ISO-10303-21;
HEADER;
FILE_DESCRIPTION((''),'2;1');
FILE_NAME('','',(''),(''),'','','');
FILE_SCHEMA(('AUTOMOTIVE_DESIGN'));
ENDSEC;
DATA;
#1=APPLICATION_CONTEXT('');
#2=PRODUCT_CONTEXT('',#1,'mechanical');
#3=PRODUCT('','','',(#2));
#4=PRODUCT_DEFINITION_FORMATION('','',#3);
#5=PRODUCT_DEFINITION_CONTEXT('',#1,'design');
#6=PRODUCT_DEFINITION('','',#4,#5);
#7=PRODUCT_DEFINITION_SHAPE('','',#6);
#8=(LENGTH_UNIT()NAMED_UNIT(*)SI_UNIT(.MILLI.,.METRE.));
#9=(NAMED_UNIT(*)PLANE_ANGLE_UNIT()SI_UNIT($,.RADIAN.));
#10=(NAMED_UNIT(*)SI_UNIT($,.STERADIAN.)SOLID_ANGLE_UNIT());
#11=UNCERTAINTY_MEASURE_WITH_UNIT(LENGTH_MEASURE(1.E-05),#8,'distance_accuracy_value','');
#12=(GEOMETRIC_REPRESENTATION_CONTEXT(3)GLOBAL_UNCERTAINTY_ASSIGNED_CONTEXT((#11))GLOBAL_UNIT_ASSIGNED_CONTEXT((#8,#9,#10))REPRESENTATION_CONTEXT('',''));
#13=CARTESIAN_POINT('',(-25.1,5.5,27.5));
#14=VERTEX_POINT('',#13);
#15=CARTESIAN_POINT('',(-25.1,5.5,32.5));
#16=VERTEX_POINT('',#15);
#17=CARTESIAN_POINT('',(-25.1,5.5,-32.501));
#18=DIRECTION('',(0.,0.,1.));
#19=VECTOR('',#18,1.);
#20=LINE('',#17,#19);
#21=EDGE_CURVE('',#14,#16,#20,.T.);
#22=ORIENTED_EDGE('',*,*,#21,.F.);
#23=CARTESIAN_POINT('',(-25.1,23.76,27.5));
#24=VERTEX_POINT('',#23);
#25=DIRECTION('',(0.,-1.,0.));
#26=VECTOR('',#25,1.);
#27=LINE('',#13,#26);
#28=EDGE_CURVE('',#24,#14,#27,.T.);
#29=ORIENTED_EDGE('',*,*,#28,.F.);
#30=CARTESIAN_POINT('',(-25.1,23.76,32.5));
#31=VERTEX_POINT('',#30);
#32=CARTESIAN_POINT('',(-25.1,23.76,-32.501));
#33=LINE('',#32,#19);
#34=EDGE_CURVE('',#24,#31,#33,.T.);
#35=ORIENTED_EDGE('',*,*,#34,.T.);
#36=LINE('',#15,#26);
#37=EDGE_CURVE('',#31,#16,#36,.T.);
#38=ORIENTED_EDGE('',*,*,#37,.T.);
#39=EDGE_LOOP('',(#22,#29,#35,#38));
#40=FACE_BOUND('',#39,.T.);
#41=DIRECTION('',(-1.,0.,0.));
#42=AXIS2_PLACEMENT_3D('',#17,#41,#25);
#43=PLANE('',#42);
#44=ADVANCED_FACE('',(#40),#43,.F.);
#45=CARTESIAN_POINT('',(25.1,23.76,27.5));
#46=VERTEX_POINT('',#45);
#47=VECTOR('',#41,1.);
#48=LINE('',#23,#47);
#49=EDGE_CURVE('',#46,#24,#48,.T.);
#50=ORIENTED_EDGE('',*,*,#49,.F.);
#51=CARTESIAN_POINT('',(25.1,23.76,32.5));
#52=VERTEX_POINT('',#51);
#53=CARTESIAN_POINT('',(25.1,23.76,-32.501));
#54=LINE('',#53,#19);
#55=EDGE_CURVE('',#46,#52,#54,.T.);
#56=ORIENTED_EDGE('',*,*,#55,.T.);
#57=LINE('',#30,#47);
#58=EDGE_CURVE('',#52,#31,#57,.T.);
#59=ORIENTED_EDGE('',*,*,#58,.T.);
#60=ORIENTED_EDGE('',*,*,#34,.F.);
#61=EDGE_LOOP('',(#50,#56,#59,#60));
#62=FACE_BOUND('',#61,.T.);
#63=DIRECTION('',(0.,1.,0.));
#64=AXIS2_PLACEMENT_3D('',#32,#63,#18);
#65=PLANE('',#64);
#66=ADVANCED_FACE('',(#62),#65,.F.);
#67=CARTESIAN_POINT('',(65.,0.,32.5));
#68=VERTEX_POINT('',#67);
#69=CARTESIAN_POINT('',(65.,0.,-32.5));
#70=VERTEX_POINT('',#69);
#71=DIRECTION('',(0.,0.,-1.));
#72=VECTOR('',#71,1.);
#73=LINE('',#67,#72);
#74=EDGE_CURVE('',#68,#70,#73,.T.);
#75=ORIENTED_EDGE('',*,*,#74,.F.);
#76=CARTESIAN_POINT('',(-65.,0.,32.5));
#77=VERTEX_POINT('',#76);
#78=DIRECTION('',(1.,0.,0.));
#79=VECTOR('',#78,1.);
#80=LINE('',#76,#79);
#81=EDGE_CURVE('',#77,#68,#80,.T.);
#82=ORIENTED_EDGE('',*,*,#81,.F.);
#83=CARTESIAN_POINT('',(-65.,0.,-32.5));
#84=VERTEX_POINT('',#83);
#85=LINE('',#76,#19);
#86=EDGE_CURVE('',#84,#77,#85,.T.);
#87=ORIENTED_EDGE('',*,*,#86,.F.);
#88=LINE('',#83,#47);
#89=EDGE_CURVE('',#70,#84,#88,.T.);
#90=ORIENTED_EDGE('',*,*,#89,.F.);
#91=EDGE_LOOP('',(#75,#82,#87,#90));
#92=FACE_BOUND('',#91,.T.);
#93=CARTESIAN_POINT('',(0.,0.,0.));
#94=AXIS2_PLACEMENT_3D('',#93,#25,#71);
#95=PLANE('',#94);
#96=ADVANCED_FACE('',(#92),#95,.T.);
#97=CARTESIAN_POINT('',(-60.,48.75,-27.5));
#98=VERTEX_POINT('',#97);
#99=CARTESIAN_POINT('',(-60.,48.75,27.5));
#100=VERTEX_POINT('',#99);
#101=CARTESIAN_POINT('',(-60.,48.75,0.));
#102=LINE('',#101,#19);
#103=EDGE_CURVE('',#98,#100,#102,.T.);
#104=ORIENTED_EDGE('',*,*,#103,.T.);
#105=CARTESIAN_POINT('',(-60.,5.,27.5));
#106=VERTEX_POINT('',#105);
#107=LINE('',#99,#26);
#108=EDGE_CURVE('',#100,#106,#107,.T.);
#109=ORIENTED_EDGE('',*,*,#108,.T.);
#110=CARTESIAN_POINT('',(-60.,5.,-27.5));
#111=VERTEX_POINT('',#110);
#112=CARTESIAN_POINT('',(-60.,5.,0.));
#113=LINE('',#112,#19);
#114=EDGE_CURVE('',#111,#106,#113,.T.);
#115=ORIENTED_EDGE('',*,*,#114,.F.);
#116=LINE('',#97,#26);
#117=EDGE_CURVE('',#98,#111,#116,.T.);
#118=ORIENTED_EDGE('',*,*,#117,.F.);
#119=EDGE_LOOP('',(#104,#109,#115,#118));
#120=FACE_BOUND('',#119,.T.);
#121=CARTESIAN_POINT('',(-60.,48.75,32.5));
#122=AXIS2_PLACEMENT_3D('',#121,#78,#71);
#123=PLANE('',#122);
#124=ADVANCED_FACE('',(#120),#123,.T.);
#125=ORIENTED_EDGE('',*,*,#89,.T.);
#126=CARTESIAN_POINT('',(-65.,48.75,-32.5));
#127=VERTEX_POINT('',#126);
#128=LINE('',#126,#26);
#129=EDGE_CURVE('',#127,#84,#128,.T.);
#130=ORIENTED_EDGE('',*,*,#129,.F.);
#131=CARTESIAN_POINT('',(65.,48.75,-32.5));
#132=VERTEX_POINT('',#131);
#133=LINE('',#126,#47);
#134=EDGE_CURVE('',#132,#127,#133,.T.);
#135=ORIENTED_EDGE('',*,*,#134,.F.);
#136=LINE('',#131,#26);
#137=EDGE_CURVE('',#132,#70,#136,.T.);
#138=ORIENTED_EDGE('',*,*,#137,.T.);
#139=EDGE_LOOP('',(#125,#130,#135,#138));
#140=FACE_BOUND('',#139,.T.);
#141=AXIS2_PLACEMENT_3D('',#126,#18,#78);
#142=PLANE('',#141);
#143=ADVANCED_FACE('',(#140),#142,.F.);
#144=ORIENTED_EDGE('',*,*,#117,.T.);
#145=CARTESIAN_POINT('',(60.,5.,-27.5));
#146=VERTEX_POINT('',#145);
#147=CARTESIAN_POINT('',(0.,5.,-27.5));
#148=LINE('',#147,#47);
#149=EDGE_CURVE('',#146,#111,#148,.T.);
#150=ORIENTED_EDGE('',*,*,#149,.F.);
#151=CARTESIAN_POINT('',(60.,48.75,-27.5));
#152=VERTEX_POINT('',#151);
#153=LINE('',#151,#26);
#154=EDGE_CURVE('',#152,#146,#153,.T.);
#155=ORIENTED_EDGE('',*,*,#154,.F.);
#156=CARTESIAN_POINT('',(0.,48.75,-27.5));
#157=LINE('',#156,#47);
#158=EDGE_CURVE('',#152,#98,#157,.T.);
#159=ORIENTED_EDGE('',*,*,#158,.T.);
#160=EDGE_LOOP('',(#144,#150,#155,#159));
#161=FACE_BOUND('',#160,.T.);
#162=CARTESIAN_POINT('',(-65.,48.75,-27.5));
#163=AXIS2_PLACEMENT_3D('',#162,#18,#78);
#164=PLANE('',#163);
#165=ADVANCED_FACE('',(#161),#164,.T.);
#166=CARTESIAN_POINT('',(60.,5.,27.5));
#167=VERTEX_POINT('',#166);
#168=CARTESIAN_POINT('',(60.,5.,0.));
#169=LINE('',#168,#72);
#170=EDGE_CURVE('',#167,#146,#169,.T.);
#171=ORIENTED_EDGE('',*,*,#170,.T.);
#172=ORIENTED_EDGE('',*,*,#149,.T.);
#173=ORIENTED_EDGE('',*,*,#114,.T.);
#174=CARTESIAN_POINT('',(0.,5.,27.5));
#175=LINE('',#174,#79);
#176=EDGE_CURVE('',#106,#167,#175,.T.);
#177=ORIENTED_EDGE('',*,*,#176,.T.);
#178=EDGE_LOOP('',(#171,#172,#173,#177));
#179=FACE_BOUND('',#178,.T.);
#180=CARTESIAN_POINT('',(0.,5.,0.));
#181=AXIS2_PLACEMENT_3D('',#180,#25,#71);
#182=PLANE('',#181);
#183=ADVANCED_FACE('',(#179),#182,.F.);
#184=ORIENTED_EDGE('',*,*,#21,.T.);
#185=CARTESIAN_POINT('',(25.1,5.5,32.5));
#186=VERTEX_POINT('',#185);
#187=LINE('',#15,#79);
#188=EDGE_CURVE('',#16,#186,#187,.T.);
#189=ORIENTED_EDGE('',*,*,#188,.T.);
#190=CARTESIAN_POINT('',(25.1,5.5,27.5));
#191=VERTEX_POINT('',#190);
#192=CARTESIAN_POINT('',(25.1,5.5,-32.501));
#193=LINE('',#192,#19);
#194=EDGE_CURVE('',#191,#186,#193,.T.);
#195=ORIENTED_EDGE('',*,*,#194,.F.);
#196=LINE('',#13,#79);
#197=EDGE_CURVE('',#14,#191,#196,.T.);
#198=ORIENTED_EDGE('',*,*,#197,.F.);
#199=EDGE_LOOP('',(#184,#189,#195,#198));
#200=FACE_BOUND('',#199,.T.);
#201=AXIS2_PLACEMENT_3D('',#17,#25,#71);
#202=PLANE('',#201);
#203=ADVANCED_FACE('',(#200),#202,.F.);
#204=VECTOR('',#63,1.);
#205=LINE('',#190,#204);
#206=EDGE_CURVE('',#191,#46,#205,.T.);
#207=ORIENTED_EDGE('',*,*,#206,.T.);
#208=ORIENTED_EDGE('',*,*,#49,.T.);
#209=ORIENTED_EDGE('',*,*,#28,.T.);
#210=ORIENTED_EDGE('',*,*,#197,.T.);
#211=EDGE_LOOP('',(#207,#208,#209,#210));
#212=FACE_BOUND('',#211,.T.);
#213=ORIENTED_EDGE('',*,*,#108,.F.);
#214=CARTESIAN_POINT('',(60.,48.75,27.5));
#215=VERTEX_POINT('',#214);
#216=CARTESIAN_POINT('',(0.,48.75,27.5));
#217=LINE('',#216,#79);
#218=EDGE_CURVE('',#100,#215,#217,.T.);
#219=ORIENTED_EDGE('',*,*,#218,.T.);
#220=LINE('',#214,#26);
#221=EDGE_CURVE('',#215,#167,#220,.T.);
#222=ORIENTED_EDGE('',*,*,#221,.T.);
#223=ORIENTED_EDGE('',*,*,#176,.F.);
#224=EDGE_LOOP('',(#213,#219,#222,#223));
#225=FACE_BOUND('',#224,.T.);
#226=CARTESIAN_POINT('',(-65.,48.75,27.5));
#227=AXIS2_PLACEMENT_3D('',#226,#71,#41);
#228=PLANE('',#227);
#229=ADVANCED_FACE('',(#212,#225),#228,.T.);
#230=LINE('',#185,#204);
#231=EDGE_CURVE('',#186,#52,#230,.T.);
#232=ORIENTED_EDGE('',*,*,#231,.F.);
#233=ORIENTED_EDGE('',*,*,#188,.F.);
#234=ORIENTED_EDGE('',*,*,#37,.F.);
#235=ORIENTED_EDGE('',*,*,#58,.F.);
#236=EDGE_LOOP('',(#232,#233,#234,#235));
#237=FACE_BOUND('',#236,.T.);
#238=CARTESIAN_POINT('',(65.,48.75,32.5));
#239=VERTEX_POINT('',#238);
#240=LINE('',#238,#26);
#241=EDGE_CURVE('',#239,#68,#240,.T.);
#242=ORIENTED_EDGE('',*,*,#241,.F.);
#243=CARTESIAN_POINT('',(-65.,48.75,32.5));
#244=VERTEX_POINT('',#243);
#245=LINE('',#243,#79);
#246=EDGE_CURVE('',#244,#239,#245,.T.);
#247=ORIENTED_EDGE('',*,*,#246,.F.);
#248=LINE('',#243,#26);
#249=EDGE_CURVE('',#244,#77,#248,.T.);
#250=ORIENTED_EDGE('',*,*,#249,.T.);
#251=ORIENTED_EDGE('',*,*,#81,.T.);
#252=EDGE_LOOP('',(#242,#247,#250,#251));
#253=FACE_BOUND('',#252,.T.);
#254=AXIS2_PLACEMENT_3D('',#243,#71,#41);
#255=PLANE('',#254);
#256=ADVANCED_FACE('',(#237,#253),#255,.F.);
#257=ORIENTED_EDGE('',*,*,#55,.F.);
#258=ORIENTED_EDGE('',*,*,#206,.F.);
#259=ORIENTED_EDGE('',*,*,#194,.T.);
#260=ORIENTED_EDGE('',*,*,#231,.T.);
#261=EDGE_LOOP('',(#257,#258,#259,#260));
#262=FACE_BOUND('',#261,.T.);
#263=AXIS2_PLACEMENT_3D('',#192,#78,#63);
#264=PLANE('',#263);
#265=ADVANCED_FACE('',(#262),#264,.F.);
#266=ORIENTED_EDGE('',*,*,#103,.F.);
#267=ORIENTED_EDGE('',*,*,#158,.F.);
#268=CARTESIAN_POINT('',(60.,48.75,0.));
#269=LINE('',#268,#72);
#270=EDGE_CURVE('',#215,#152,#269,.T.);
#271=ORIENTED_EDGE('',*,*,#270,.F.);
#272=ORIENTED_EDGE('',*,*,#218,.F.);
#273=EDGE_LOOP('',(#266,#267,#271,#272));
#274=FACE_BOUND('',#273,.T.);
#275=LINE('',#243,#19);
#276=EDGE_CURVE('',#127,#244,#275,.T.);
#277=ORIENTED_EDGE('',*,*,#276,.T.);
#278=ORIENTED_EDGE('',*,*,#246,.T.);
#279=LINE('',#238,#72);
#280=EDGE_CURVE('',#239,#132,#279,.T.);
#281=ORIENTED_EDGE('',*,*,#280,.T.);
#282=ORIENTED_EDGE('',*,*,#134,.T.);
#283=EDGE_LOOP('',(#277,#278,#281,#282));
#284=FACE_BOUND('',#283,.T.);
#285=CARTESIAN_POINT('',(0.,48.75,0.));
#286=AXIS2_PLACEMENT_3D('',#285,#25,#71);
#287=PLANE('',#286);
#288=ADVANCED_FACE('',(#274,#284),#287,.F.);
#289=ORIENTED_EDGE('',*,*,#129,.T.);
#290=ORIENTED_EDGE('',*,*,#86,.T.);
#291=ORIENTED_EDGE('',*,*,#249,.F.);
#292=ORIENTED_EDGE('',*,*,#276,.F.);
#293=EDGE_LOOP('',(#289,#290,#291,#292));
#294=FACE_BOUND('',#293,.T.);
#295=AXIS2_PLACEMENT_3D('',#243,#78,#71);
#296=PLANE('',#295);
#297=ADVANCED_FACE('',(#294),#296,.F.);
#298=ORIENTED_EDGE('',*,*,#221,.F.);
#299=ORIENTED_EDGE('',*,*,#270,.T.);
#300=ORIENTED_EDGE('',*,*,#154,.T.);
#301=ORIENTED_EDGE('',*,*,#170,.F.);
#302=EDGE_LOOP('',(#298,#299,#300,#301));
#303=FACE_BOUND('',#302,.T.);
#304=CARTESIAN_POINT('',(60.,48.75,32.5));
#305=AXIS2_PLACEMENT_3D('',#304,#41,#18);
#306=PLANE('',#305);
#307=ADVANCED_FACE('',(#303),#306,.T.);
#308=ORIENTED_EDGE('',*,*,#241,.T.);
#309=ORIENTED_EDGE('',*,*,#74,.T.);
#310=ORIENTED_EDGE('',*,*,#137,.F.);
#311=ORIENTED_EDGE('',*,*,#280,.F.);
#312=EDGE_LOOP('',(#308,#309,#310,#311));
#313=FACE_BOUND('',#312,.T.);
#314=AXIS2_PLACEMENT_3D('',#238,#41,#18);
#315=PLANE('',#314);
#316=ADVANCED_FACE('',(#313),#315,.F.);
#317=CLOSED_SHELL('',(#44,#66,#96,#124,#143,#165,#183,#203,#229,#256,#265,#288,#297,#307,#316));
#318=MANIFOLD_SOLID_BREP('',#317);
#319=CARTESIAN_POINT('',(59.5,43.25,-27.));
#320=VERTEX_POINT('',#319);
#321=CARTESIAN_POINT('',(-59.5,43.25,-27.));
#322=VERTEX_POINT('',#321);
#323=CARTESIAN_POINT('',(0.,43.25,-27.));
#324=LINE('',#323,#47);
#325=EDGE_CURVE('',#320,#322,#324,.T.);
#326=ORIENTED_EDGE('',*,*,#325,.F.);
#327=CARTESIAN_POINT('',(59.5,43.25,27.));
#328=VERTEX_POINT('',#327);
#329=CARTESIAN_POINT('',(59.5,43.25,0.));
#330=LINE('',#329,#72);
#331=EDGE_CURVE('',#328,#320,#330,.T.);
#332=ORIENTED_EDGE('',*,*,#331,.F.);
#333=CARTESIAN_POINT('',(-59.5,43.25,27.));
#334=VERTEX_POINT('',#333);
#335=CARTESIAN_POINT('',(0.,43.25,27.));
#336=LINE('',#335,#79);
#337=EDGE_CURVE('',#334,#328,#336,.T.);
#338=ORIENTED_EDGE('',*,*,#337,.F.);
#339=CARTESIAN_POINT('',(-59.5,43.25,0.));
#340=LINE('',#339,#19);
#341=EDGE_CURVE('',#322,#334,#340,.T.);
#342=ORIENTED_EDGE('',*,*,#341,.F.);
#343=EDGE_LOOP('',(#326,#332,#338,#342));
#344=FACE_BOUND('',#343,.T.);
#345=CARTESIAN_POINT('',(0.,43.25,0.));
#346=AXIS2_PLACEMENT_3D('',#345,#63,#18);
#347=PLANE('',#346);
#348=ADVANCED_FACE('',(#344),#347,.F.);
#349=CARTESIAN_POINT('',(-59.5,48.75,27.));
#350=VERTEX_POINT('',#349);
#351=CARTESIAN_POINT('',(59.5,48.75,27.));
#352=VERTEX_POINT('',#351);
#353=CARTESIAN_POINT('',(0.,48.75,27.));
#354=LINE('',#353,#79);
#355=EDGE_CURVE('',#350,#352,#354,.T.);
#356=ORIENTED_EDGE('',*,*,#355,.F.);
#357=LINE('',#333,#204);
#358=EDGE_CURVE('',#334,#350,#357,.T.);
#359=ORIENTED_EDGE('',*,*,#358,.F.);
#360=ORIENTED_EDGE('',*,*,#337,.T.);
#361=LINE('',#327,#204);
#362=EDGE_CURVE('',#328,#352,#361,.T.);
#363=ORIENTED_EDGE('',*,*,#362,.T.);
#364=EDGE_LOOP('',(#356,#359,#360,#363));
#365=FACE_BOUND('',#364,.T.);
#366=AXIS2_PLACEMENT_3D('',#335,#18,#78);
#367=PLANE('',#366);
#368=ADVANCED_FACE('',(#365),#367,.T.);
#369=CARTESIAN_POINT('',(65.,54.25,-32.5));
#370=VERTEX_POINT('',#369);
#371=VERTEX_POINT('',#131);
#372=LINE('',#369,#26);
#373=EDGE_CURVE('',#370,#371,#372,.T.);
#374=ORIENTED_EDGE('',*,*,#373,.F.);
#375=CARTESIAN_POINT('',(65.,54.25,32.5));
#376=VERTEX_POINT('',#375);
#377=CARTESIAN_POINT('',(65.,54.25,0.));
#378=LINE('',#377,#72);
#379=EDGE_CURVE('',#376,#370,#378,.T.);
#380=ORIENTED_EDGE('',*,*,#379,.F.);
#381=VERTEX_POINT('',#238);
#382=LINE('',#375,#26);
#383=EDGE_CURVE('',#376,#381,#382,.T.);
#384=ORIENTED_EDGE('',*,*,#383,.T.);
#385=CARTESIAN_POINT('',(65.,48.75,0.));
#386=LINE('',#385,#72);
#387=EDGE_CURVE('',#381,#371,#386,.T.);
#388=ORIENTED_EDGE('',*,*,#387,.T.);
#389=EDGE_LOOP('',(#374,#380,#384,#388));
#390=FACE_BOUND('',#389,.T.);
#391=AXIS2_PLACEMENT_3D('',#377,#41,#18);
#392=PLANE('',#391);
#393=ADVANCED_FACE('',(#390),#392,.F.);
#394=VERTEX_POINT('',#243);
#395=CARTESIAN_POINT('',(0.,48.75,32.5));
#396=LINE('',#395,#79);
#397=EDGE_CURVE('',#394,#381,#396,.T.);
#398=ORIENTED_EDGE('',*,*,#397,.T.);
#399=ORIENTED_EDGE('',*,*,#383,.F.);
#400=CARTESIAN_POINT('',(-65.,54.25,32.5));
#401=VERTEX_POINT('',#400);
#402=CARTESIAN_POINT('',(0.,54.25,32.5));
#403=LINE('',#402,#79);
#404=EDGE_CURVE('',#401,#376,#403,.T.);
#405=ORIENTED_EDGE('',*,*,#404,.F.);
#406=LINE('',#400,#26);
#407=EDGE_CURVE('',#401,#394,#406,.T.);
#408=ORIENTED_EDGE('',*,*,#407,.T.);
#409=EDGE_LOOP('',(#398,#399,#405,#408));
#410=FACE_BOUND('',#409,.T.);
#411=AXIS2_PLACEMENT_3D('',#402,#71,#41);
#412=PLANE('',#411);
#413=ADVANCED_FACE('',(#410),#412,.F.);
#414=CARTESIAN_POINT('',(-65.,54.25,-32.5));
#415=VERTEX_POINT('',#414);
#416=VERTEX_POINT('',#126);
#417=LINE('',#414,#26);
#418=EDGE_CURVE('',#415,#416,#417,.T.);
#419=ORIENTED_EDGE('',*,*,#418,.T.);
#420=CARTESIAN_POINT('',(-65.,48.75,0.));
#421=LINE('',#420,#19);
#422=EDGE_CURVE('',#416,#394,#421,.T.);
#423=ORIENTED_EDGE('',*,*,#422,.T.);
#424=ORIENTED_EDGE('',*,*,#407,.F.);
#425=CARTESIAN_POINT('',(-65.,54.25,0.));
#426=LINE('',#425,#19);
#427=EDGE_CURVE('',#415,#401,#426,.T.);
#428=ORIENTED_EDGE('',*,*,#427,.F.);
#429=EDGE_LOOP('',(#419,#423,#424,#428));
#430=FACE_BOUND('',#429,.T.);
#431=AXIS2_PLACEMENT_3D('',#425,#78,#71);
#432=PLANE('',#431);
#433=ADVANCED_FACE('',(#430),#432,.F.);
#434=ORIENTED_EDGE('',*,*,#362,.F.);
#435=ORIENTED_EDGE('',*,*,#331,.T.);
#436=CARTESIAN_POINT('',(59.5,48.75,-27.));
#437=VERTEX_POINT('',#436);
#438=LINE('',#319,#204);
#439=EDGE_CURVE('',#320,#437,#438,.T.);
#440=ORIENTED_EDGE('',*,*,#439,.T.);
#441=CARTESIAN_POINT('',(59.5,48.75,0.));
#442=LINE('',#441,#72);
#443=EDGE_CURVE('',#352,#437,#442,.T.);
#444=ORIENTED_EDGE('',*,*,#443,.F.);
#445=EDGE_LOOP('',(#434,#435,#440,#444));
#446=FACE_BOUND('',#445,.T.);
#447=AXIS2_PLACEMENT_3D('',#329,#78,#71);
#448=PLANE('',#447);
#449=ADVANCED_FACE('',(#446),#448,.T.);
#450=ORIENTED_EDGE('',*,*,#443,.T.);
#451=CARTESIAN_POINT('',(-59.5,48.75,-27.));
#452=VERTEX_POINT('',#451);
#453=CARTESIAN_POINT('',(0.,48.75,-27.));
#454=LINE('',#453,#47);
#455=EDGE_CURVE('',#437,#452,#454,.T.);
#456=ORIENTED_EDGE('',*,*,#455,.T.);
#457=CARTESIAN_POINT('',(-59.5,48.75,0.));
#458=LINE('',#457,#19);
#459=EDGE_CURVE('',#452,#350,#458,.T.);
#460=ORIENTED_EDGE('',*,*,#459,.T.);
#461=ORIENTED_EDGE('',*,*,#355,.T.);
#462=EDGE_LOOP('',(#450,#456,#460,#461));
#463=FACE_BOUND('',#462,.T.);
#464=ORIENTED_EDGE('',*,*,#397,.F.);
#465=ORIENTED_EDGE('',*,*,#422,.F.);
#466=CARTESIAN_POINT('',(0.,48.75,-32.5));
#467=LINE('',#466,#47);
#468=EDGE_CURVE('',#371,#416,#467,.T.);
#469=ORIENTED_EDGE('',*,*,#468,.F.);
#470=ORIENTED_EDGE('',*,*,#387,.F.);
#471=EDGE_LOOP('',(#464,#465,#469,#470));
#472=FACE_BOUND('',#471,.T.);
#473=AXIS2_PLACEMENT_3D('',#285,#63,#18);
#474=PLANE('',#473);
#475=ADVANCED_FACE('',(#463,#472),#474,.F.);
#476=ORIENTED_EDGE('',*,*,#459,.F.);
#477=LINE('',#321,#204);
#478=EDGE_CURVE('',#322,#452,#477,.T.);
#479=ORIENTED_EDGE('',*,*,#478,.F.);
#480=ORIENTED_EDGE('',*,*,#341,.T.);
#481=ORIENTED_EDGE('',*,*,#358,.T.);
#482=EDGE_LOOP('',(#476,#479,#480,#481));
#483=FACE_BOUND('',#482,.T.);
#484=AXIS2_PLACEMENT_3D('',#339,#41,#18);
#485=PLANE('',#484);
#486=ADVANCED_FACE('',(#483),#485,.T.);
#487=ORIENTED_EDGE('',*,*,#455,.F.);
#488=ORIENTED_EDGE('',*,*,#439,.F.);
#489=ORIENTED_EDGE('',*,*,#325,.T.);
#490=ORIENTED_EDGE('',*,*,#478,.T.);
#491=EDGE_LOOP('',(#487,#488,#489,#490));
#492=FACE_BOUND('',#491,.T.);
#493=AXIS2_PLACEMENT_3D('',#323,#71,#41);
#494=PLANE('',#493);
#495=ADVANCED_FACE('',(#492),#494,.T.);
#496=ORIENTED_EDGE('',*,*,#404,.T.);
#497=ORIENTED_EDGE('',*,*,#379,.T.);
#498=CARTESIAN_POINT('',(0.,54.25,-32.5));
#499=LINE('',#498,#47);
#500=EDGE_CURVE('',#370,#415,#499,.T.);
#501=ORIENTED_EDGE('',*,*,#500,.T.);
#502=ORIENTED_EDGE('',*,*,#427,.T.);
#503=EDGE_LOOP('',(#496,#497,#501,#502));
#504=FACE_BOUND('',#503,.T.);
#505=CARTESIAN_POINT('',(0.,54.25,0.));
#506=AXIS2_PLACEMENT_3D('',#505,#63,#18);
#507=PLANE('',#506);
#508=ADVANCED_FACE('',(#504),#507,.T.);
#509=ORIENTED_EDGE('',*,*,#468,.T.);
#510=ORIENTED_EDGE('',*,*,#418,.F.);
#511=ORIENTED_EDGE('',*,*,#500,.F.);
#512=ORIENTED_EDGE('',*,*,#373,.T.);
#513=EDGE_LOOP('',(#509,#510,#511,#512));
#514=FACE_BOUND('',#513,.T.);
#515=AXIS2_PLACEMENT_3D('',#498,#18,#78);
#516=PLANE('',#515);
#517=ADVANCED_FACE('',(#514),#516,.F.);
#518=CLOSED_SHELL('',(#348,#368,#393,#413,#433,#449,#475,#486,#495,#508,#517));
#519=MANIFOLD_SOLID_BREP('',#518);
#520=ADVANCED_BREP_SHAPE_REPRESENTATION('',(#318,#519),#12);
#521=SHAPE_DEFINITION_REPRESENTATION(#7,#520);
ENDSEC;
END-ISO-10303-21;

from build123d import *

# Parameters (mm, degrees)
CROQUIS1_W              = 130
CROQUIS1_H              = 65
SALIENTE_EXTRUIR1_DEPTH = 48.75
VACIADO1_T              = -5
CROQUIS2_W              = 130
CROQUIS2_H              = 65
CROQUIS2_W_2            = 120
CROQUIS2_H_2            = 55
CROQUIS2_W_3            = 119
CROQUIS2_H_3            = 54
SALIENTE_EXTRUIR2_DEPTH = 5.5
CROQUIS2_4_W            = 119
CROQUIS2_4_H            = 54
SALIENTE_EXTRUIR3_DEPTH = 5.5
CROQUIS3_W              = 50.2
CROQUIS3_H              = 18.26
CORTAR_EXTRUIR1_DEPTH   = 5


with BuildPart() as part:
    # Croquis1 → Saliente-Extruir1 (new body)
    with BuildSketch(Plane(origin=(0, 0, 0), x_dir=(1, 0, 0), z_dir=(0, 1, 0))):
        Rectangle(CROQUIS1_W, CROQUIS1_H)
    extrude(amount=SALIENTE_EXTRUIR1_DEPTH)

    # Vaciado1
    vaciado1_openings = [part.faces().sort_by_distance(p)[0] for p in [
        (0, 48.75, 0),
    ]]
    offset(amount=VACIADO1_T, openings=vaciado1_openings, kind=Kind.INTERSECTION)

    # Croquis3 → Cortar-Extruir1 (cut)
    with BuildSketch(Plane.XY.offset(32.5)):
        with Locations((0, 14.63)):
            Rectangle(CROQUIS3_W, CROQUIS3_H)
    extrude(amount=-CORTAR_EXTRUIR1_DEPTH, mode=Mode.SUBTRACT)


with BuildPart() as body_2:
    # Croquis2 → Saliente-Extruir2 (new body)
    # profile 1 of 3: a face of its own
    with BuildSketch(Plane(origin=(0, 48.75, 0), x_dir=(1, 0, 0), z_dir=(0, 1, 0))):
        Rectangle(CROQUIS2_W, CROQUIS2_H)
        Rectangle(CROQUIS2_W_2, CROQUIS2_H_2, mode=Mode.SUBTRACT)
    # profile 2 of 3: a face of its own
    with BuildSketch(Plane(origin=(0, 48.75, 0), x_dir=(1, 0, 0), z_dir=(0, 1, 0))):
        Rectangle(CROQUIS2_W_2, CROQUIS2_H_2)
        Rectangle(CROQUIS2_W_3, CROQUIS2_H_3, mode=Mode.SUBTRACT)
    # profile 3 of 3: a face of its own
    with BuildSketch(Plane(origin=(0, 48.75, 0), x_dir=(1, 0, 0), z_dir=(0, 1, 0))):
        Rectangle(CROQUIS2_W_3, CROQUIS2_H_3)
    extrude(amount=SALIENTE_EXTRUIR2_DEPTH)

    # Croquis2<4> → Saliente-Extruir3 (add)
    with BuildSketch(Plane(origin=(0, 48.75, 0), x_dir=(1, 0, 0), z_dir=(0, 1, 0))):
        Rectangle(CROQUIS2_4_W, CROQUIS2_4_H)
    extrude(amount=-SALIENTE_EXTRUIR3_DEPTH)


solid = Compound([part.part, body_2.part])
